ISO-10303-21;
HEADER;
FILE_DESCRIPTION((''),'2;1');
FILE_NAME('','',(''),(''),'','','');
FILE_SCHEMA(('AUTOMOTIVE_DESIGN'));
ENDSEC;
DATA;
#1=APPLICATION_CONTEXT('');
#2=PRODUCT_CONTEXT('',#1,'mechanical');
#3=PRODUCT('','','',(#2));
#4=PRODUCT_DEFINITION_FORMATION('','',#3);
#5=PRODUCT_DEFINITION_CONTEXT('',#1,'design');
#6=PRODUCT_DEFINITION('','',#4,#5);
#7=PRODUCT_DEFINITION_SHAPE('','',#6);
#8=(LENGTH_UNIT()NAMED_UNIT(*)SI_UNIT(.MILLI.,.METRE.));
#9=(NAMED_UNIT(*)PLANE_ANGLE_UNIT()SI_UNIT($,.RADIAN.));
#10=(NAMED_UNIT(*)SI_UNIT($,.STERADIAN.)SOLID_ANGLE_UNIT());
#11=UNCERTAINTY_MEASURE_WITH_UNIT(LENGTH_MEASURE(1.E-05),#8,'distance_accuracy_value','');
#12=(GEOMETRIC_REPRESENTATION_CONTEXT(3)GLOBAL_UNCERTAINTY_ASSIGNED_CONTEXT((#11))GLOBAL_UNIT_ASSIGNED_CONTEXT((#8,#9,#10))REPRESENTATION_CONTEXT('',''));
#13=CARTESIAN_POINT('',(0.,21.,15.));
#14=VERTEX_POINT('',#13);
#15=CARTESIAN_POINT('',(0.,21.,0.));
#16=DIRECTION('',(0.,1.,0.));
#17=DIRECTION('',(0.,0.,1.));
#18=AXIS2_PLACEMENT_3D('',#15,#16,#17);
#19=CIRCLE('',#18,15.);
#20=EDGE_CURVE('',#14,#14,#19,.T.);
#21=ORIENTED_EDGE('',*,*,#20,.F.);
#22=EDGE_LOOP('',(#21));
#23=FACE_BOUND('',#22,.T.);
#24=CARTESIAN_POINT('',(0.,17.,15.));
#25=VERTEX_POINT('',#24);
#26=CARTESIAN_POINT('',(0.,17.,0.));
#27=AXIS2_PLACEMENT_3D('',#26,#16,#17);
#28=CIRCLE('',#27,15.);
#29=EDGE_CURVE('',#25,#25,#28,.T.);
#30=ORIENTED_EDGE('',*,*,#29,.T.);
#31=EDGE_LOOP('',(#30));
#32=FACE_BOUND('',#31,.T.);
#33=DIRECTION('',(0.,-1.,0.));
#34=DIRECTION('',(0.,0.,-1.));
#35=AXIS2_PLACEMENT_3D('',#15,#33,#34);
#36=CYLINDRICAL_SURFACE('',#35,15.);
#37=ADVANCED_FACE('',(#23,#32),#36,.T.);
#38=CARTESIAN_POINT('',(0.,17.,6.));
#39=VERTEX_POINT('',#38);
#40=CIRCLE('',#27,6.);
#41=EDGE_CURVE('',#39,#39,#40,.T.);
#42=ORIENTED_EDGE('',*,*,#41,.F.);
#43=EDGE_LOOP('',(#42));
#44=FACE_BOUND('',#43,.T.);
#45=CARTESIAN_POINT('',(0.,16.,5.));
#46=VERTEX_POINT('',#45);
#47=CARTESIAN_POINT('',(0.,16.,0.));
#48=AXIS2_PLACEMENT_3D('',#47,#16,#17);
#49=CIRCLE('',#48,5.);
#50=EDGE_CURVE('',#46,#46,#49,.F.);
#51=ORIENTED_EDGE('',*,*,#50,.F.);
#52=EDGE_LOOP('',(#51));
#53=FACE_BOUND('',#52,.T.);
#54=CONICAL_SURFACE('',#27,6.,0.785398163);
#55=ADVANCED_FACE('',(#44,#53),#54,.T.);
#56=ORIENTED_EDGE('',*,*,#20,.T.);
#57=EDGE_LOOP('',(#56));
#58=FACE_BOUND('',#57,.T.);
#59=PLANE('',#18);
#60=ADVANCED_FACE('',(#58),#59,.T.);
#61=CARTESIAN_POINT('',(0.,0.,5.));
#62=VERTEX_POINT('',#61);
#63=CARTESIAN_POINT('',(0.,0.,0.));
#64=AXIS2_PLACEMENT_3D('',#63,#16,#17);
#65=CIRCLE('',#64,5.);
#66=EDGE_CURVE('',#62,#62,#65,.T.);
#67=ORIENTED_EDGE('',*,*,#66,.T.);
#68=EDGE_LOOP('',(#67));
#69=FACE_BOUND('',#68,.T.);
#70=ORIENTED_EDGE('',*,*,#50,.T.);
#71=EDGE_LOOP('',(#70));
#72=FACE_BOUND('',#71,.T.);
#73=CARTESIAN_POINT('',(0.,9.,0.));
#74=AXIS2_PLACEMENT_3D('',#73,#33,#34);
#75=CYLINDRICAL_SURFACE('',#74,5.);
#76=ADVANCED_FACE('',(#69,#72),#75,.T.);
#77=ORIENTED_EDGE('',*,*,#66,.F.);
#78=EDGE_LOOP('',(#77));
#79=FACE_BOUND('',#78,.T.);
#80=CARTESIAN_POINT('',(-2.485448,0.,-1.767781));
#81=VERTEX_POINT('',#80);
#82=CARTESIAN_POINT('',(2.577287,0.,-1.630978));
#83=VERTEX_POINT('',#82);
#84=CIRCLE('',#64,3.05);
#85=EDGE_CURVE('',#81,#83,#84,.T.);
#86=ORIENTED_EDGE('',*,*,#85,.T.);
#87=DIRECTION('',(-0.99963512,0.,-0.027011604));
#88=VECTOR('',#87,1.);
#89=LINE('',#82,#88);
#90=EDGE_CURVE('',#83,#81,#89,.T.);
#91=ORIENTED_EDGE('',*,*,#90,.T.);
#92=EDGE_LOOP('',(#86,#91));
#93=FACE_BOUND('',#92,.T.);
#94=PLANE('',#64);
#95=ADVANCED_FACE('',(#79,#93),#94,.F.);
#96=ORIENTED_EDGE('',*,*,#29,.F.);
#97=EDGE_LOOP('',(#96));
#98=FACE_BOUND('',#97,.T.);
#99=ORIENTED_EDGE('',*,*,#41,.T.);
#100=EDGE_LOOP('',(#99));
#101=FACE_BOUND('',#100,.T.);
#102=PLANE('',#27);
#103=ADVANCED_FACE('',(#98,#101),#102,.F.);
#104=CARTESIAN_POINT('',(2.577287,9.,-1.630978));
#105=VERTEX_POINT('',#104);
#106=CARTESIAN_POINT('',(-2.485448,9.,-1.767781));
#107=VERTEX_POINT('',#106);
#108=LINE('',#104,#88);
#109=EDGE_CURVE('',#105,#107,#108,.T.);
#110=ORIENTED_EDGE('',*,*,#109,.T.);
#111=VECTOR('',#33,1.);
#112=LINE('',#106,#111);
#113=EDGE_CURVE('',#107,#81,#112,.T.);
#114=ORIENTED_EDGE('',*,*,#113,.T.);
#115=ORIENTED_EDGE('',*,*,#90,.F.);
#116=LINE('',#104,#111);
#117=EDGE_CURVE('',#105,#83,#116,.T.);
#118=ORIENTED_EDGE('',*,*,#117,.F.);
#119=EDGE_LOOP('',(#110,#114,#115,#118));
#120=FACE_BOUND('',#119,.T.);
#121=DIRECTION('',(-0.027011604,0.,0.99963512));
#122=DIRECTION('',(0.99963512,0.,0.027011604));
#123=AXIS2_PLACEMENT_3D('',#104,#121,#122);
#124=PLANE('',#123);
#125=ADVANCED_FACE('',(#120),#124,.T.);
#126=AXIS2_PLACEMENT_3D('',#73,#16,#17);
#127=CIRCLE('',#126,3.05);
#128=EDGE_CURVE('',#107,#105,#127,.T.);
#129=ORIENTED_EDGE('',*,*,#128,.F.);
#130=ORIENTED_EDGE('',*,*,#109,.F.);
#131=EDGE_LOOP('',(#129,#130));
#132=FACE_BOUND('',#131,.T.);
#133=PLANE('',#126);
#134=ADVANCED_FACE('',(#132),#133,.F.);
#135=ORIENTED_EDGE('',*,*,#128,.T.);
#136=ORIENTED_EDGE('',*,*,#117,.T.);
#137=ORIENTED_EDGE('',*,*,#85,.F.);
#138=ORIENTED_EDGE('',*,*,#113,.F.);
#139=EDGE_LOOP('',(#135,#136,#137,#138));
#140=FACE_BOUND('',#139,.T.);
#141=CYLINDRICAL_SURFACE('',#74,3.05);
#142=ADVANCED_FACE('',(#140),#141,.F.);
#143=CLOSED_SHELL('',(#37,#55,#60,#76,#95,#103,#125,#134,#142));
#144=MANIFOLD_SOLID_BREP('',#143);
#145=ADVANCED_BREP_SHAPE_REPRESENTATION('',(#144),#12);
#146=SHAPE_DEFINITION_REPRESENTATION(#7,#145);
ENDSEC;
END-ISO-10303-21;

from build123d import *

# Parameters (mm, degrees)
SKETCH_1_R      = 5
EXTRUDE_1_DEPTH = 9
SKETCH_5_R      = 5
EXTRUDE_5_DEPTH = 8
SKETCH_6_R      = 15
EXTRUDE_6_DEPTH = 4
CHAMFER_3_SIZE  = 1


with BuildPart() as part:
    # 草图1 → 凸台-拉伸1 (new body)
    with BuildSketch(Plane(origin=(0, 0, 0), x_dir=(1, 0, 0), z_dir=(0, 1, 0))):
        with Locations(Location((0, 0, 0), (0, 0, 270))):
            Circle(SKETCH_1_R)
        with BuildLine():
            Line((2.577287197, 1.63097845), (-2.485447743, 1.767780959))
            ThreePointArc((-2.485447743, 1.767780959), (-0.082385393, -3.048887116), (2.577287197, 1.63097845))
        make_face(mode=Mode.SUBTRACT)
    extrude(amount=EXTRUDE_1_DEPTH)

    # 草图5 → 凸台-拉伸5 (add)
    with BuildSketch(Plane(origin=(0, 9, 0), x_dir=(1, 0, 0), z_dir=(0, 1, 0))):
        with Locations(Location((0, 0, 0), (0, 0, 270))):
            Circle(SKETCH_5_R)
    extrude(amount=EXTRUDE_5_DEPTH)

    # 草图6 → 凸台-拉伸6 (add)
    with BuildSketch(Plane(origin=(0, 17, 0), x_dir=(1, 0, 0), z_dir=(0, 1, 0))):
        with Locations(Location((0, 0, 0), (0, 0, 270))):
            Circle(SKETCH_6_R)
    extrude(amount=EXTRUDE_6_DEPTH)

    # 倒角3
    chamfer_3_edges = [part.edges().sort_by_distance(p)[0] for p in [
        (0, 17, -5),
    ]]
    chamfer(chamfer_3_edges, length=CHAMFER_3_SIZE)


solid = part.part
